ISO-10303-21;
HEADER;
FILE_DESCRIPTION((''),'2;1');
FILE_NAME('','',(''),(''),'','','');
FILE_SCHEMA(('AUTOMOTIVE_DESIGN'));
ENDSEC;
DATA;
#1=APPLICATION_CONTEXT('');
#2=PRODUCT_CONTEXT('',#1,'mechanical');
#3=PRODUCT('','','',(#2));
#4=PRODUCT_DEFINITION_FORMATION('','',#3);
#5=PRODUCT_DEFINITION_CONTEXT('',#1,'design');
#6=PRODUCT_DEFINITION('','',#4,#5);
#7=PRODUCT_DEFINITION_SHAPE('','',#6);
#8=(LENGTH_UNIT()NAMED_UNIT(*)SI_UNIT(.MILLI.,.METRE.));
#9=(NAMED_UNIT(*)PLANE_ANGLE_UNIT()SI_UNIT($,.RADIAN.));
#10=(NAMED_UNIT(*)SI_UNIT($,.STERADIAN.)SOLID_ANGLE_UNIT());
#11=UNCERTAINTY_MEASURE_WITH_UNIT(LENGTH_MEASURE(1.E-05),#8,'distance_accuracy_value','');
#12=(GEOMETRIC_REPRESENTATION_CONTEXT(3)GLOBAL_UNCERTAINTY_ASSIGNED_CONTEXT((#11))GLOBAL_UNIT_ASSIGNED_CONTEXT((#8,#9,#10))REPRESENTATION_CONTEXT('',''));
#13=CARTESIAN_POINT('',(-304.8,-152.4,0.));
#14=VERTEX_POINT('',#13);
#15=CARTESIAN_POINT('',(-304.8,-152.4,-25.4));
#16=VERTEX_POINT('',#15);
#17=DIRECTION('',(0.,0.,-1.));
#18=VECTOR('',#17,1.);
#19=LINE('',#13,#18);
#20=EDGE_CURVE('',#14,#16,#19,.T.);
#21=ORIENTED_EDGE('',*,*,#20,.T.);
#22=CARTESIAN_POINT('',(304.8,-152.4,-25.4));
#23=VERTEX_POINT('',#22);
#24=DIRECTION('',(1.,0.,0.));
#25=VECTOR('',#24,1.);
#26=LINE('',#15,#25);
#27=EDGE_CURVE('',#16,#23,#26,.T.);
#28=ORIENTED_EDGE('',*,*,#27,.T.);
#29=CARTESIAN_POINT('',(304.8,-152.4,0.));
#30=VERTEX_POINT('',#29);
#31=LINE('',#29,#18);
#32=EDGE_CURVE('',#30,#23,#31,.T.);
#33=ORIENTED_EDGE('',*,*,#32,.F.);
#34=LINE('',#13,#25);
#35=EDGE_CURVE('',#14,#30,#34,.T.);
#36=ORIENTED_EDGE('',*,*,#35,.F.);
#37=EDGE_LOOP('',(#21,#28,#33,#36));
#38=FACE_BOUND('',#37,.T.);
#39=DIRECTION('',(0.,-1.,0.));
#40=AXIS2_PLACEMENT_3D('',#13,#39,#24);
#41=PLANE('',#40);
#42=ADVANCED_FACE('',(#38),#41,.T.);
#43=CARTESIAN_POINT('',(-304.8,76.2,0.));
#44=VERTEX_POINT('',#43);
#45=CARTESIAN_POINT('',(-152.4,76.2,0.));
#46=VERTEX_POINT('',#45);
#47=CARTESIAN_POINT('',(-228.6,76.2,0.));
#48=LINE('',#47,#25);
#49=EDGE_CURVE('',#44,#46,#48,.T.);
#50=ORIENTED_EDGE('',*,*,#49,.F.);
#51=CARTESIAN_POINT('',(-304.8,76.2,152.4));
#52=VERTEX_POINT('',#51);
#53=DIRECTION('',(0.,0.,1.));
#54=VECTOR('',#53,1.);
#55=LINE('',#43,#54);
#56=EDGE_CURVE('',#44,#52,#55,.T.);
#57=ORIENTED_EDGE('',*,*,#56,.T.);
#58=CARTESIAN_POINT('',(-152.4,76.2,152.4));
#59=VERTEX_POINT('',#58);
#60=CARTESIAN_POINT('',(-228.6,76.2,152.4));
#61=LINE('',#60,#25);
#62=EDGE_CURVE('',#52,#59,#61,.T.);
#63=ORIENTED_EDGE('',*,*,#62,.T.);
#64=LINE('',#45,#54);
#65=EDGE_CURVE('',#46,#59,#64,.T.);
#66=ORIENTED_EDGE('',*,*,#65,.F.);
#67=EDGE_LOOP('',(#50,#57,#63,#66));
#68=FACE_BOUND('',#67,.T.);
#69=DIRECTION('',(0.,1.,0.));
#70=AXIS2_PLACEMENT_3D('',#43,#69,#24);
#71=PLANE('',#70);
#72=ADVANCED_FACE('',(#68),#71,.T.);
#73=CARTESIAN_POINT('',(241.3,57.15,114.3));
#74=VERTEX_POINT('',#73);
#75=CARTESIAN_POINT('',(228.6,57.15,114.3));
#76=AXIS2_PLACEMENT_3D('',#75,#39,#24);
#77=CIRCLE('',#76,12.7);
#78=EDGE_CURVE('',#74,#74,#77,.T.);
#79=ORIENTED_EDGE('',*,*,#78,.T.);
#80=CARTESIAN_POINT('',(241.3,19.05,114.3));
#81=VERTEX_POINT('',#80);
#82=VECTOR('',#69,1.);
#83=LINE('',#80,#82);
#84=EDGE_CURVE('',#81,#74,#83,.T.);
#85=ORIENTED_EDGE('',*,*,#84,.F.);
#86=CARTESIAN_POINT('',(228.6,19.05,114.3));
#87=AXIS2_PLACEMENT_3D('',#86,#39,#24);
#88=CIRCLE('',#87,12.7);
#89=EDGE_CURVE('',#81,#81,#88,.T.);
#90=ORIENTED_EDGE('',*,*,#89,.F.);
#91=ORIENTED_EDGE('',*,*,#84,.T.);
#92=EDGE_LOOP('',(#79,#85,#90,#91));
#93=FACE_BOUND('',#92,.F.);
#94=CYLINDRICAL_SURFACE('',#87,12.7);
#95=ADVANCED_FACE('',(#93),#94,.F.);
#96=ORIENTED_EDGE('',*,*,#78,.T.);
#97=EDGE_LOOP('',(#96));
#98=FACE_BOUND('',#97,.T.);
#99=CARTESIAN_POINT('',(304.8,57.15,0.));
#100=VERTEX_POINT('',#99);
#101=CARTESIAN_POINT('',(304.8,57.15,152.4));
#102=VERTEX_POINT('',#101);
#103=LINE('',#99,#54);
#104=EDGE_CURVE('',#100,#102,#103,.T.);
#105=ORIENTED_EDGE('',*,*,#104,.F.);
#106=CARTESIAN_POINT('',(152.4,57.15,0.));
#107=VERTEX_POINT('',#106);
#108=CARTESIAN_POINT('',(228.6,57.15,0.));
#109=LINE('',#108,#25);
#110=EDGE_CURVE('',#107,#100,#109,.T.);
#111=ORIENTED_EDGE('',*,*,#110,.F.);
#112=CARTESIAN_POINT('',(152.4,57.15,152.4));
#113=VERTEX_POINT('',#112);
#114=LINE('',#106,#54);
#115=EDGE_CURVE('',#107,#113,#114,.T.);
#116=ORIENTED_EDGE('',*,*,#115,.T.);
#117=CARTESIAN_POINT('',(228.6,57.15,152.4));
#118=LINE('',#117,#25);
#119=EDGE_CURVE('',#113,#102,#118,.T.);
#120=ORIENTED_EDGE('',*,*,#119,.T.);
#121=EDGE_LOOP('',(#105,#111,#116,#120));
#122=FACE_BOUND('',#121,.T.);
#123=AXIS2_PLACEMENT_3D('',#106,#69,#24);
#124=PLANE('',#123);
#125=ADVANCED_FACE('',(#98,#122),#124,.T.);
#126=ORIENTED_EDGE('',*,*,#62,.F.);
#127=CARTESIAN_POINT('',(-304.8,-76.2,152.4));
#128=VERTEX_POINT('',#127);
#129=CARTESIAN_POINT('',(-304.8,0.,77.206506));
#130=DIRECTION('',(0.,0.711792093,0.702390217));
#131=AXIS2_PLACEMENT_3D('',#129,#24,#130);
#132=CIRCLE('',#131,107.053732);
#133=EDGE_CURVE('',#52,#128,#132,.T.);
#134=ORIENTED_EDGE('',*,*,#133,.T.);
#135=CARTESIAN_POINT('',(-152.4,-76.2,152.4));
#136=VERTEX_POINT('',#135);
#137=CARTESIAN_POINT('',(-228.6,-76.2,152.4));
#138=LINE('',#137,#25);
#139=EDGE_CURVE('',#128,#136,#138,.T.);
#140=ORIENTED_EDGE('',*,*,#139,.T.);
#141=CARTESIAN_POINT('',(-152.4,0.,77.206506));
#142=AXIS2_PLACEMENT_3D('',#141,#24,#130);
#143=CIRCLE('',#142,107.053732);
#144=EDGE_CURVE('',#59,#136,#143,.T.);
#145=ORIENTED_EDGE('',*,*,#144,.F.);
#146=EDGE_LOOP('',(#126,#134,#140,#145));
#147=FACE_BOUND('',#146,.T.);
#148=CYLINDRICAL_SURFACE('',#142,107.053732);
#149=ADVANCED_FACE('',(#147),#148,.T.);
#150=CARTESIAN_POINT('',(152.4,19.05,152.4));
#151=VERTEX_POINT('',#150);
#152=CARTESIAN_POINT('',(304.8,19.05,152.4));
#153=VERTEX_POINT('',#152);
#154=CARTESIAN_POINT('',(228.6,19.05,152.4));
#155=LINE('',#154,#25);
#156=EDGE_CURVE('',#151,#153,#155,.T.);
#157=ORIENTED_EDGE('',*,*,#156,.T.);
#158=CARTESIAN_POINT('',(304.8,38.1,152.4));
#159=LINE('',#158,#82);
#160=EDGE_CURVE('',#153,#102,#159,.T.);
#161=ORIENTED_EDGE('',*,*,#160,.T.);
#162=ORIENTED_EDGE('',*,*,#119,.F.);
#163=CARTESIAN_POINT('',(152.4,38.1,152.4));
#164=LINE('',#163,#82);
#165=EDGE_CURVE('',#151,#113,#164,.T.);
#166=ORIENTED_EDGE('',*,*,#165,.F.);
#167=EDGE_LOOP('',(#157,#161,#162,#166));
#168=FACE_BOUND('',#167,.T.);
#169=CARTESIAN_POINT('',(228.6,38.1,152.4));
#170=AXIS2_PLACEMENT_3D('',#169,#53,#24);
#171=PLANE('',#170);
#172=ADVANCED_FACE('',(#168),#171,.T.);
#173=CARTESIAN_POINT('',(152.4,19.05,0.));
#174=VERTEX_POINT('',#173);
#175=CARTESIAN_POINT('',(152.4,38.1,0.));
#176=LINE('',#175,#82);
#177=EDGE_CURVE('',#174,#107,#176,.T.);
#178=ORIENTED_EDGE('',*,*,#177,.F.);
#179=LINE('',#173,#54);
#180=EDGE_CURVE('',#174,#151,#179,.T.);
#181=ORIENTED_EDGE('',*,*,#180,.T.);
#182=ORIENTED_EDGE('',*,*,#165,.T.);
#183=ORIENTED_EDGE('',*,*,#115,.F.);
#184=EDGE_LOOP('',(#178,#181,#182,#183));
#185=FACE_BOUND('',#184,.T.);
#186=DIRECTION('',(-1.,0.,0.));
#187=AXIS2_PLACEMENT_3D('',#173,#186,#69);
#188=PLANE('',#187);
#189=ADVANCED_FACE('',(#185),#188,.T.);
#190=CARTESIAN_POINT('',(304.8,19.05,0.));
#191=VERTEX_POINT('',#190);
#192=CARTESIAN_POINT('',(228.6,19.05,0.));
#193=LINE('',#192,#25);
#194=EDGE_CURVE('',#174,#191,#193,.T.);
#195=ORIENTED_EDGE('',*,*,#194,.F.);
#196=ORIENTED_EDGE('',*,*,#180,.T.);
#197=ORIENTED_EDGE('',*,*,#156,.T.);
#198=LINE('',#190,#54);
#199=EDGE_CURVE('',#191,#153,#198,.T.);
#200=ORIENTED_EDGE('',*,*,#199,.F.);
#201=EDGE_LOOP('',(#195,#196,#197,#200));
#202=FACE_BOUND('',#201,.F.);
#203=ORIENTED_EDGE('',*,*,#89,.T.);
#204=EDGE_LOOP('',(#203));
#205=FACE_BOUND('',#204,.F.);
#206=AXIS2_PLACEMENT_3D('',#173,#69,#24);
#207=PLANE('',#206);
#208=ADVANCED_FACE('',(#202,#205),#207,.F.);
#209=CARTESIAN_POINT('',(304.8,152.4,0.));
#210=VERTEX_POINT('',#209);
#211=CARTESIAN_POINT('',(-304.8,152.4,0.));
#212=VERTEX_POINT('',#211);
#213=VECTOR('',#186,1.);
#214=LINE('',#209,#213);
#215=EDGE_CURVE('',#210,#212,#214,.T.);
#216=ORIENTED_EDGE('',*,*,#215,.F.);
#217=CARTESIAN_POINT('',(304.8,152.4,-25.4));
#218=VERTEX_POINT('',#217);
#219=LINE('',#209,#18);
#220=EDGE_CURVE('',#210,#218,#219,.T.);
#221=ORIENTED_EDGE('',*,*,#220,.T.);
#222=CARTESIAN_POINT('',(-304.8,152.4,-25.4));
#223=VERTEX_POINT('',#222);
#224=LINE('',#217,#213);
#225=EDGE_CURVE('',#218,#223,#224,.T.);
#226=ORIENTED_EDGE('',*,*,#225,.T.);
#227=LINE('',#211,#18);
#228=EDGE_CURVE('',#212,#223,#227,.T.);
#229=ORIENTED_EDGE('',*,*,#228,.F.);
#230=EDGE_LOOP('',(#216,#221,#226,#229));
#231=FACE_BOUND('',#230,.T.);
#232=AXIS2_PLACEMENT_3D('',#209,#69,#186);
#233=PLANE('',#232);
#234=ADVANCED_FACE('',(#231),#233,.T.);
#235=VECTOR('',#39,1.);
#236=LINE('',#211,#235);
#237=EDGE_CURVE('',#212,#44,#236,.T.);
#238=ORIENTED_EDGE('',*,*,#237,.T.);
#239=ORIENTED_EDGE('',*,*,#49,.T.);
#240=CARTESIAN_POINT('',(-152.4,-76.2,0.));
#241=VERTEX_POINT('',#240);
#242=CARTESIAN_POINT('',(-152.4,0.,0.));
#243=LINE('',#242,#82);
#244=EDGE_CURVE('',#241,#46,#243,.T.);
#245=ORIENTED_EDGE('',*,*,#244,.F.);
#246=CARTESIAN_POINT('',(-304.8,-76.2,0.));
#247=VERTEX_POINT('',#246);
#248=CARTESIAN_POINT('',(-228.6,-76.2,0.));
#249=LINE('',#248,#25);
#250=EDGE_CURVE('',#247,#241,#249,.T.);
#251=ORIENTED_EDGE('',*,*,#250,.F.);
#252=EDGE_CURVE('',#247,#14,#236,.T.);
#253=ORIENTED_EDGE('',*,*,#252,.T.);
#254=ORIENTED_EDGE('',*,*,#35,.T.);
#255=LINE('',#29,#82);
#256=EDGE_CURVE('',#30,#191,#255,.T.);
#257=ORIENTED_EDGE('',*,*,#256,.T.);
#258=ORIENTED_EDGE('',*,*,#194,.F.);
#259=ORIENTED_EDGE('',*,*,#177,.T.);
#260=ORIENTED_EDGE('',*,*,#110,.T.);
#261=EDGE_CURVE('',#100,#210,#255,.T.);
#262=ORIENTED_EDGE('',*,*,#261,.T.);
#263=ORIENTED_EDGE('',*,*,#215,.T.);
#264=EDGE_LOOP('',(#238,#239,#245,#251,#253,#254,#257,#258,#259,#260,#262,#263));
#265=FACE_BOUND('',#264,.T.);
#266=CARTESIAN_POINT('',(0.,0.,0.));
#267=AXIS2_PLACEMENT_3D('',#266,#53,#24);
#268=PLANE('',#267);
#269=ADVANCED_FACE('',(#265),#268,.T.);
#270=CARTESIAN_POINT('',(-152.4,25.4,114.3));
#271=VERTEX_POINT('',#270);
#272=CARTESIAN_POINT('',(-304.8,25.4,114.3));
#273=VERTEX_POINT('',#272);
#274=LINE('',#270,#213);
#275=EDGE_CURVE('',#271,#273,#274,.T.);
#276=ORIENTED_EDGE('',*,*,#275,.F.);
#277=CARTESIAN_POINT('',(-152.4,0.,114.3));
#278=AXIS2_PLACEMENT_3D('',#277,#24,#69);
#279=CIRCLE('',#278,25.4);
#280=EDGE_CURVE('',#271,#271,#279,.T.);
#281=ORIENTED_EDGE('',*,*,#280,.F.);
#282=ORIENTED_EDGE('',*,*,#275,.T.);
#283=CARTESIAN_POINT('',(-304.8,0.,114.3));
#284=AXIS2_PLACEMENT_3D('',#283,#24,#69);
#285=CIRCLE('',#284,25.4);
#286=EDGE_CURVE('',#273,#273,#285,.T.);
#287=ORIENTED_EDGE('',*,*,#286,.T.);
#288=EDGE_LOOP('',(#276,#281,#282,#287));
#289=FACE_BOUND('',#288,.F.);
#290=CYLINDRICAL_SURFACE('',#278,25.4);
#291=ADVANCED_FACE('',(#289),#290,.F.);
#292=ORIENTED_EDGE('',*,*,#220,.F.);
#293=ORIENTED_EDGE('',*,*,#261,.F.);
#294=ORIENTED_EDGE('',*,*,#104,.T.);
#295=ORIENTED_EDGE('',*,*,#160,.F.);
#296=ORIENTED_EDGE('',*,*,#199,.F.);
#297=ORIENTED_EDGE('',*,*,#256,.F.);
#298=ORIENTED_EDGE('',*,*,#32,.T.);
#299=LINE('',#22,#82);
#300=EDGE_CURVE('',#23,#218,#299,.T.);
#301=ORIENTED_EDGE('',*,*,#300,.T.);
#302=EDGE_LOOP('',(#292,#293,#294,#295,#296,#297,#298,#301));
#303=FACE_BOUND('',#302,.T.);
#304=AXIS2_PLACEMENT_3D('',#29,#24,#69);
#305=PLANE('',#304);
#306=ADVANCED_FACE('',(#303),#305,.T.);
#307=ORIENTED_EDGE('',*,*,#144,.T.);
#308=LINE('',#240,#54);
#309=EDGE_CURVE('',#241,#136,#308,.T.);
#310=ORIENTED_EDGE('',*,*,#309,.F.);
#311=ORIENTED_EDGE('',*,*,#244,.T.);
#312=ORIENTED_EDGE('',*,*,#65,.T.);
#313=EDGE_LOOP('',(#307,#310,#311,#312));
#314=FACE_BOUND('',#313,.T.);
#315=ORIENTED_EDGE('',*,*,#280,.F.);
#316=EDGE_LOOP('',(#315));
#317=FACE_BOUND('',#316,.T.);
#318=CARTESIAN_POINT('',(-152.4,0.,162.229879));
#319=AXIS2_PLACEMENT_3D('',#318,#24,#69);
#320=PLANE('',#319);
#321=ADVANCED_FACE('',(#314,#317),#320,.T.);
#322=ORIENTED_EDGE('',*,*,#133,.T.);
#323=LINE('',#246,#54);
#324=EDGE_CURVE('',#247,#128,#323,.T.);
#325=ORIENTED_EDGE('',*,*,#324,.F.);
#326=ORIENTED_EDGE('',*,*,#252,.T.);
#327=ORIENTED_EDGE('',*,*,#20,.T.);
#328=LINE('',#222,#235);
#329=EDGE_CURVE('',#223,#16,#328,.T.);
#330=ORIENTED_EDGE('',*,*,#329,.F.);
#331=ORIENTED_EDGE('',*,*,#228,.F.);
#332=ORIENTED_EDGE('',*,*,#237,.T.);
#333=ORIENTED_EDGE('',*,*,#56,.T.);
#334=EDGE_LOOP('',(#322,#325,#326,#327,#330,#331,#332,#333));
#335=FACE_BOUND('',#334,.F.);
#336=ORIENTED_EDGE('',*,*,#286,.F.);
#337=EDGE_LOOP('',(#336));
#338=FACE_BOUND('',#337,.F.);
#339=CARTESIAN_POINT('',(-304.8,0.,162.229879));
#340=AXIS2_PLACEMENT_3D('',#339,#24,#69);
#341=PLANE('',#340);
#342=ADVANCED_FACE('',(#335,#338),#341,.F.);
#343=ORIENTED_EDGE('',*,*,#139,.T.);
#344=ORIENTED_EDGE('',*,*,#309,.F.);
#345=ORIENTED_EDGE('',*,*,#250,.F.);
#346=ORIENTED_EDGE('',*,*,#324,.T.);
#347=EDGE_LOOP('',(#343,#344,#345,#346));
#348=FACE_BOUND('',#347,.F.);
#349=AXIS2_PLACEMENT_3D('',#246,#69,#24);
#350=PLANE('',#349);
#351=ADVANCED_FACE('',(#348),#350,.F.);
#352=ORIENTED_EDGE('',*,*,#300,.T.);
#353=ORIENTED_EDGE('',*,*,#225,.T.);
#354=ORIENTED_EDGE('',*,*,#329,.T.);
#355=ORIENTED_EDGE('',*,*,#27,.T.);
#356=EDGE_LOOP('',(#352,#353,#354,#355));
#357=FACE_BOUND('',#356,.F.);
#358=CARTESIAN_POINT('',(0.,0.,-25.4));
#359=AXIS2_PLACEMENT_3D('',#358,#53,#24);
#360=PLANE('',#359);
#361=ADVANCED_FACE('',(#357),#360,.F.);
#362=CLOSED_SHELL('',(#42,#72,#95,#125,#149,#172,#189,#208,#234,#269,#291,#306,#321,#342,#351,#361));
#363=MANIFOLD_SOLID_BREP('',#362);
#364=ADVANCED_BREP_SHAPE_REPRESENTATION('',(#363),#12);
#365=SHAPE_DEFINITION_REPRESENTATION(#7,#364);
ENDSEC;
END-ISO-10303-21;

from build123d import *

# Parameters (mm, degrees)
F1_DEPTH  = 25.4
F2_W      = 152.4
F2_H      = 152.4
F3_DEPTH  = 152.4
F4_R      = 25.4
F5_DEPTH  = 152.401
F6_W      = 152.4
F6_H      = 38.1
F7_DEPTH  = 152.4
F8_R      = 12.7
F9_DEPTH  = 133.351
F11_DEPTH = 152.4


with BuildPart() as f1:
    # F0 (on Top) → F1 (new body)
    with BuildSketch(Plane.XY):
        Polygon((304.8, 152.4), (-304.8, 152.4), (-304.8, 0), (-304.8, -152.4), (304.8, -152.4), align=None)
    extrude(amount=-F1_DEPTH)

    # F2 (on face) → F3 (join)
    with BuildSketch(Plane.XY):
        with Locations((-228.6, 0)):
            Rectangle(F2_W, F2_H)
    extrude(amount=F3_DEPTH)

    # F4 (on face) → F5 (cut, through all)
    with BuildSketch(Plane.YZ.offset(-152.4)):
        with Locations((0, 114.3)):
            Circle(F4_R)
    extrude(amount=-F5_DEPTH, mode=Mode.SUBTRACT)

    # F6 (on face) → F7 (join)
    with BuildSketch(Plane.XY):
        with Locations((228.6, 38.1)):
            Rectangle(F6_W, F6_H)
    extrude(amount=F7_DEPTH)

    # F8 (on face) → F9 (cut, through all)
    with BuildSketch(Plane.XZ.offset(-19.05)):
        with Locations((228.6, 114.3)):
            Circle(F8_R)
    extrude(amount=-F9_DEPTH, mode=Mode.SUBTRACT)

    # F10 (on face) → F11 (join, through all)
    with BuildSketch(Plane.YZ.offset(-152.4)):
        with BuildLine():
            Line((-76.2, 152.4), (76.2, 152.4))
            ThreePointArc((76.2, 152.4), (0, 184.260238), (-76.2, 152.4))
        make_face()
    extrude(amount=-F11_DEPTH)


solid = f1.part
